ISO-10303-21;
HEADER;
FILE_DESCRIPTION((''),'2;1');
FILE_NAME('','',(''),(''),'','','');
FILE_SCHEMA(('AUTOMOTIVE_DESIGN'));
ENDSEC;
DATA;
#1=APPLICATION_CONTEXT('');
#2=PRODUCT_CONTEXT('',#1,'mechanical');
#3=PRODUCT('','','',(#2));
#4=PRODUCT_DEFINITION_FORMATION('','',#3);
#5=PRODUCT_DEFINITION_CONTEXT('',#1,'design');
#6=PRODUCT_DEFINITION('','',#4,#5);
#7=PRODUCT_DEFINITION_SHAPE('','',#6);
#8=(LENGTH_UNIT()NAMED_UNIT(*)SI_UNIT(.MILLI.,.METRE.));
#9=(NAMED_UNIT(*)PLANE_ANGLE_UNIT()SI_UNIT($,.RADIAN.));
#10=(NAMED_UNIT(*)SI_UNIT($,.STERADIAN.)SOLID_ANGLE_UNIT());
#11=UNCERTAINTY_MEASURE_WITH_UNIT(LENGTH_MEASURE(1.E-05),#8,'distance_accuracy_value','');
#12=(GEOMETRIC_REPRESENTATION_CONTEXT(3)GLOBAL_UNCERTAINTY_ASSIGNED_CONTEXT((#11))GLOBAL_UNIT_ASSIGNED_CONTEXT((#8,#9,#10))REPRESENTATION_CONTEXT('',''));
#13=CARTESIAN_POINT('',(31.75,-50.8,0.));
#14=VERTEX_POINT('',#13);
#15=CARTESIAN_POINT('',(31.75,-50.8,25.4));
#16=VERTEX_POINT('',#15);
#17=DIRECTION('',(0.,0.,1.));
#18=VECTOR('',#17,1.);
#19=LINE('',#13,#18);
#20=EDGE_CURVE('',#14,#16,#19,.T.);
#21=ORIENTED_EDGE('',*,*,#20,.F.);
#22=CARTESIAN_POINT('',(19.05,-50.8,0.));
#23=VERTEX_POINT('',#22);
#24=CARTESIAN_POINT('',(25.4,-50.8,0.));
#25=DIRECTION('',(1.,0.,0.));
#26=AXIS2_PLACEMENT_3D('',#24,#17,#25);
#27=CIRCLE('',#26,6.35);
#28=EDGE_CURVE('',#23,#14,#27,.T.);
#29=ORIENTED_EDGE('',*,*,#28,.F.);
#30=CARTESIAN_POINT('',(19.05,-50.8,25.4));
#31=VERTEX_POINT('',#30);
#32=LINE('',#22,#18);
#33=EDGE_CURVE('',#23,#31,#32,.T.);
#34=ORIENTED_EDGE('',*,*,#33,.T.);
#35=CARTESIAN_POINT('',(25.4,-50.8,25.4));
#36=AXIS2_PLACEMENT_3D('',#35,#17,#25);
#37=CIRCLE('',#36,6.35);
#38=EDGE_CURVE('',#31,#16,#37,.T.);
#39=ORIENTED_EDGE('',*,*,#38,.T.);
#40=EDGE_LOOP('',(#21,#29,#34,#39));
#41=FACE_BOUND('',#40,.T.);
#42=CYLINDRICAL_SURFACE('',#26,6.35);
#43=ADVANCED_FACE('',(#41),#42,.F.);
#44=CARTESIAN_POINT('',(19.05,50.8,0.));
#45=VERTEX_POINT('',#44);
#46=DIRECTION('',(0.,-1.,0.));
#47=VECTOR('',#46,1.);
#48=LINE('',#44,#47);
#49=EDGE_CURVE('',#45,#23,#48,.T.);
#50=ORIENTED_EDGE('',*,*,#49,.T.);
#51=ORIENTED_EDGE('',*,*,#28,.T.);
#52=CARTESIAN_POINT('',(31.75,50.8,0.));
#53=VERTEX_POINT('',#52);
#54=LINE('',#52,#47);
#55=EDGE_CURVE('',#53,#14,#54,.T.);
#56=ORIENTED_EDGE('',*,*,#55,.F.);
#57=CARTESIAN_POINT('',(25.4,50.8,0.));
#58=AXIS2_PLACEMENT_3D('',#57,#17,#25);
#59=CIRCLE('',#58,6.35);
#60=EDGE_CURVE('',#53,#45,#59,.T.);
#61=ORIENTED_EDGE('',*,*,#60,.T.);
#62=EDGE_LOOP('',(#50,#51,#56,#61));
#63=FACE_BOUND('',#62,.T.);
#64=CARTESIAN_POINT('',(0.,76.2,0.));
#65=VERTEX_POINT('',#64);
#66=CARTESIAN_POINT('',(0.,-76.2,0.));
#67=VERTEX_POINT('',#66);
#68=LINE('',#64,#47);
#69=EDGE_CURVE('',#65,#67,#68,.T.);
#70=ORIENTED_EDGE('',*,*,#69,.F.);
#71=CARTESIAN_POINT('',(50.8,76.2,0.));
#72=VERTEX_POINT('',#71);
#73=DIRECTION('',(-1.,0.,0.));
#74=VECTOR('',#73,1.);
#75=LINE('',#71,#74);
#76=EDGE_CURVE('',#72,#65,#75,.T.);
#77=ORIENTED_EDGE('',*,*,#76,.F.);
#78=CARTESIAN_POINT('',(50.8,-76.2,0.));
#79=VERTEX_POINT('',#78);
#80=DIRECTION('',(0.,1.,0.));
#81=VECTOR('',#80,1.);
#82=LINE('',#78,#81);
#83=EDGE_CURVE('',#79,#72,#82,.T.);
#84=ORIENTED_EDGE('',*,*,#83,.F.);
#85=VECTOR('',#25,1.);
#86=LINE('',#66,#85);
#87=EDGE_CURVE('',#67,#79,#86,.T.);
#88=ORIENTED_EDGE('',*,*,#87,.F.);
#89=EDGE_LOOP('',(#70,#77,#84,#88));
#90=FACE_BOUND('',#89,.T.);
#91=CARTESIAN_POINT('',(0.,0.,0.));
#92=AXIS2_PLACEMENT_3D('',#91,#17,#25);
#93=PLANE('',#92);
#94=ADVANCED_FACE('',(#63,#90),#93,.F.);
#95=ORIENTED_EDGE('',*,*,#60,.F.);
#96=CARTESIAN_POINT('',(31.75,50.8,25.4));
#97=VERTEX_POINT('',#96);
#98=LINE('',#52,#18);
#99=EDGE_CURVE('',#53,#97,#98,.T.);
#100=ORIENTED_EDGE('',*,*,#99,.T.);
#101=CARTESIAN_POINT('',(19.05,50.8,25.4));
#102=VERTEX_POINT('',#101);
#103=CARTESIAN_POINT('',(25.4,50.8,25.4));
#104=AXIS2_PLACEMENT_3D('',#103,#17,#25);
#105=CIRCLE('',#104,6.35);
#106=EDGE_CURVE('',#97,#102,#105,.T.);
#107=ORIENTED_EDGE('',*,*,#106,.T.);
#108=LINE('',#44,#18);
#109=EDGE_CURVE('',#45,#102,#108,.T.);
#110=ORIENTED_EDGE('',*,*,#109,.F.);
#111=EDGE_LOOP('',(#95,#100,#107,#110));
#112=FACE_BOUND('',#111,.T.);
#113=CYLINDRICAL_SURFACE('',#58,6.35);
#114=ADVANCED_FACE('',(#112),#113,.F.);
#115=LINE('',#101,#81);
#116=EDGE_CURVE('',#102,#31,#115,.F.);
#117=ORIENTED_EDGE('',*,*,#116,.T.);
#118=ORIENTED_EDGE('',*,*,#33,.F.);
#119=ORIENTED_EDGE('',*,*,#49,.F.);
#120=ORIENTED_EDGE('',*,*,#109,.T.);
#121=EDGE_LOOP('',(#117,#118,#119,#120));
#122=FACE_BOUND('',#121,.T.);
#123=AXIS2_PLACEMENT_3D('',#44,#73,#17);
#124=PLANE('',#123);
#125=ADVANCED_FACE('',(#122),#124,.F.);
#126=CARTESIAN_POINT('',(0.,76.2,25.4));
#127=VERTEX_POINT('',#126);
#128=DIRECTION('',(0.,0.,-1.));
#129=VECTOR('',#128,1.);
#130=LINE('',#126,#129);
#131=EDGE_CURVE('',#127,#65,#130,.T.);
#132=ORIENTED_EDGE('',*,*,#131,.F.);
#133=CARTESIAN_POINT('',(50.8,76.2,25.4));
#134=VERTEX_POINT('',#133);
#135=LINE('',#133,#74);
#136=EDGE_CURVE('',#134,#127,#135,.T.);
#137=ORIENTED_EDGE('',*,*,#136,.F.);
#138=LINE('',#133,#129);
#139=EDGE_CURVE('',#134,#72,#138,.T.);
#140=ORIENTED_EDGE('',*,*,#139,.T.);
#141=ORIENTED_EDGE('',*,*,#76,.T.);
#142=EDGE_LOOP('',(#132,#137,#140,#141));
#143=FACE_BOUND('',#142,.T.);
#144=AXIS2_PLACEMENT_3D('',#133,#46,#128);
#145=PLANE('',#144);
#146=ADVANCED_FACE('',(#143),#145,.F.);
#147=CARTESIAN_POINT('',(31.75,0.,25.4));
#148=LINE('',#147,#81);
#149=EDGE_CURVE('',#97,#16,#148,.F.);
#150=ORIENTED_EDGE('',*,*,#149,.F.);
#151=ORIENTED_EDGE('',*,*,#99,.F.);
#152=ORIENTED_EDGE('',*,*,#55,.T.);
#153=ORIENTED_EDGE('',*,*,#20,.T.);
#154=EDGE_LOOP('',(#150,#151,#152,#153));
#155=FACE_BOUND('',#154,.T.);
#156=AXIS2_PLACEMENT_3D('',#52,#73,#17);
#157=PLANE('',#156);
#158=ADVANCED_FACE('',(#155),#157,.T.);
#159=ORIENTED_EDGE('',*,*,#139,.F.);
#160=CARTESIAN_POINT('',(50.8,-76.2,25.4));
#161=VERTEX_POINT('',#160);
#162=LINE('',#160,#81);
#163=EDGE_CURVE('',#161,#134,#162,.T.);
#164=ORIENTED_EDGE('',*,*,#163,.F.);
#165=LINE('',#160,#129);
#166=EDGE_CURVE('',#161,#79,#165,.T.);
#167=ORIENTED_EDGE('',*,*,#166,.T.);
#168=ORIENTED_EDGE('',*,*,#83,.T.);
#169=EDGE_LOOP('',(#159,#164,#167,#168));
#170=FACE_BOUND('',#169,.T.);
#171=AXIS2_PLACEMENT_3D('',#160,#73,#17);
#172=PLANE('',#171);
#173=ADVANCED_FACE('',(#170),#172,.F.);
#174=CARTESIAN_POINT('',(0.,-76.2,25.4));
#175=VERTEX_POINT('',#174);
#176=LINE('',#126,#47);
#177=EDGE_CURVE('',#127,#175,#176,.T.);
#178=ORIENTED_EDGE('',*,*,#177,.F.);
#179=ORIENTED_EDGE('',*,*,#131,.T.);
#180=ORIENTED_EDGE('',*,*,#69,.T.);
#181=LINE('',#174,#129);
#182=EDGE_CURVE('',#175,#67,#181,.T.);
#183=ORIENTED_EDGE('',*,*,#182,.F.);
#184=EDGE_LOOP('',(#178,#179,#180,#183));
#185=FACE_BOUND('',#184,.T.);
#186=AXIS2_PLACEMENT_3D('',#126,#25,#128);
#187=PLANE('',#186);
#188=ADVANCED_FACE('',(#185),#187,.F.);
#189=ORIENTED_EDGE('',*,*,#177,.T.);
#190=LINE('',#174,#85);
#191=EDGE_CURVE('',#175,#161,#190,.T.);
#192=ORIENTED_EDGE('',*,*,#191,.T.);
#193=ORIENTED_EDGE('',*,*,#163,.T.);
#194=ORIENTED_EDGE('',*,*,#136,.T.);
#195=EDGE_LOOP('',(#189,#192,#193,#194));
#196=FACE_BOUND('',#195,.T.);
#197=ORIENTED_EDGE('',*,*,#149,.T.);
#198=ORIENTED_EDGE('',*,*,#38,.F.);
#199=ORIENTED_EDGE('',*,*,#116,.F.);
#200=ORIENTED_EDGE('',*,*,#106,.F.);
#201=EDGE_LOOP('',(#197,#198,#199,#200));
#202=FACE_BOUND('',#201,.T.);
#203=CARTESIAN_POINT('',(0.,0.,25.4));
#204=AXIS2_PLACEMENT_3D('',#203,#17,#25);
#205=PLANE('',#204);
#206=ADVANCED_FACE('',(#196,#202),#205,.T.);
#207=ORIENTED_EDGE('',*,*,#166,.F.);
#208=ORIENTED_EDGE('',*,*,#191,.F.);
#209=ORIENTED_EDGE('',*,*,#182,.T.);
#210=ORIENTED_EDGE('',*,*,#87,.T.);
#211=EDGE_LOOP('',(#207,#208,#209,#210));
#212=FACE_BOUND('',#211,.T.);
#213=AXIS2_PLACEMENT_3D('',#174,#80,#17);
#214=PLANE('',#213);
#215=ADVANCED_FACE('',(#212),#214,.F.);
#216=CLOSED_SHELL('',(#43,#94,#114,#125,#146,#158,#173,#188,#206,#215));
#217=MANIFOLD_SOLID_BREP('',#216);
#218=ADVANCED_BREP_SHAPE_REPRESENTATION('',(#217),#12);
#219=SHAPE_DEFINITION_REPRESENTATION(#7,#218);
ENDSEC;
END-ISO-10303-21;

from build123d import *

# Parameters (mm, degrees)
SKETCH1_W               = 50.8
SKETCH1_H               = 152.4
BOSS_EXTRUDE1_DEPTH     = 25.4
CUT_EXTRUDE1_DEPTH      = 96.038097624
CUT_EXTRUDE1_DEPTH_BACK = 96.038097624


with BuildPart() as part:
    # Sketch1 → Boss-Extrude1 (new body)
    with BuildSketch(Plane.XY):
        with Locations((25.4, 0)):
            Rectangle(SKETCH1_W, SKETCH1_H)
    extrude(amount=BOSS_EXTRUDE1_DEPTH)

    # Sketch2 → Cut-Extrude1 (cut, two sides: drawn at the far end of the back side and taken through both)
    with BuildSketch(Plane.XY.offset(25.4).offset(-CUT_EXTRUDE1_DEPTH_BACK)):
        with BuildLine():
            Line((31.75, 50.8), (31.75, -50.8))
            ThreePointArc((31.75, -50.8), (25.4, -57.15), (19.05, -50.8))
            Line((19.05, -50.8), (19.05, 50.8))
            ThreePointArc((19.05, 50.8), (25.4, 57.15), (31.75, 50.8))
        make_face()
    extrude(amount=CUT_EXTRUDE1_DEPTH + CUT_EXTRUDE1_DEPTH_BACK, mode=Mode.SUBTRACT)


solid = part.part
